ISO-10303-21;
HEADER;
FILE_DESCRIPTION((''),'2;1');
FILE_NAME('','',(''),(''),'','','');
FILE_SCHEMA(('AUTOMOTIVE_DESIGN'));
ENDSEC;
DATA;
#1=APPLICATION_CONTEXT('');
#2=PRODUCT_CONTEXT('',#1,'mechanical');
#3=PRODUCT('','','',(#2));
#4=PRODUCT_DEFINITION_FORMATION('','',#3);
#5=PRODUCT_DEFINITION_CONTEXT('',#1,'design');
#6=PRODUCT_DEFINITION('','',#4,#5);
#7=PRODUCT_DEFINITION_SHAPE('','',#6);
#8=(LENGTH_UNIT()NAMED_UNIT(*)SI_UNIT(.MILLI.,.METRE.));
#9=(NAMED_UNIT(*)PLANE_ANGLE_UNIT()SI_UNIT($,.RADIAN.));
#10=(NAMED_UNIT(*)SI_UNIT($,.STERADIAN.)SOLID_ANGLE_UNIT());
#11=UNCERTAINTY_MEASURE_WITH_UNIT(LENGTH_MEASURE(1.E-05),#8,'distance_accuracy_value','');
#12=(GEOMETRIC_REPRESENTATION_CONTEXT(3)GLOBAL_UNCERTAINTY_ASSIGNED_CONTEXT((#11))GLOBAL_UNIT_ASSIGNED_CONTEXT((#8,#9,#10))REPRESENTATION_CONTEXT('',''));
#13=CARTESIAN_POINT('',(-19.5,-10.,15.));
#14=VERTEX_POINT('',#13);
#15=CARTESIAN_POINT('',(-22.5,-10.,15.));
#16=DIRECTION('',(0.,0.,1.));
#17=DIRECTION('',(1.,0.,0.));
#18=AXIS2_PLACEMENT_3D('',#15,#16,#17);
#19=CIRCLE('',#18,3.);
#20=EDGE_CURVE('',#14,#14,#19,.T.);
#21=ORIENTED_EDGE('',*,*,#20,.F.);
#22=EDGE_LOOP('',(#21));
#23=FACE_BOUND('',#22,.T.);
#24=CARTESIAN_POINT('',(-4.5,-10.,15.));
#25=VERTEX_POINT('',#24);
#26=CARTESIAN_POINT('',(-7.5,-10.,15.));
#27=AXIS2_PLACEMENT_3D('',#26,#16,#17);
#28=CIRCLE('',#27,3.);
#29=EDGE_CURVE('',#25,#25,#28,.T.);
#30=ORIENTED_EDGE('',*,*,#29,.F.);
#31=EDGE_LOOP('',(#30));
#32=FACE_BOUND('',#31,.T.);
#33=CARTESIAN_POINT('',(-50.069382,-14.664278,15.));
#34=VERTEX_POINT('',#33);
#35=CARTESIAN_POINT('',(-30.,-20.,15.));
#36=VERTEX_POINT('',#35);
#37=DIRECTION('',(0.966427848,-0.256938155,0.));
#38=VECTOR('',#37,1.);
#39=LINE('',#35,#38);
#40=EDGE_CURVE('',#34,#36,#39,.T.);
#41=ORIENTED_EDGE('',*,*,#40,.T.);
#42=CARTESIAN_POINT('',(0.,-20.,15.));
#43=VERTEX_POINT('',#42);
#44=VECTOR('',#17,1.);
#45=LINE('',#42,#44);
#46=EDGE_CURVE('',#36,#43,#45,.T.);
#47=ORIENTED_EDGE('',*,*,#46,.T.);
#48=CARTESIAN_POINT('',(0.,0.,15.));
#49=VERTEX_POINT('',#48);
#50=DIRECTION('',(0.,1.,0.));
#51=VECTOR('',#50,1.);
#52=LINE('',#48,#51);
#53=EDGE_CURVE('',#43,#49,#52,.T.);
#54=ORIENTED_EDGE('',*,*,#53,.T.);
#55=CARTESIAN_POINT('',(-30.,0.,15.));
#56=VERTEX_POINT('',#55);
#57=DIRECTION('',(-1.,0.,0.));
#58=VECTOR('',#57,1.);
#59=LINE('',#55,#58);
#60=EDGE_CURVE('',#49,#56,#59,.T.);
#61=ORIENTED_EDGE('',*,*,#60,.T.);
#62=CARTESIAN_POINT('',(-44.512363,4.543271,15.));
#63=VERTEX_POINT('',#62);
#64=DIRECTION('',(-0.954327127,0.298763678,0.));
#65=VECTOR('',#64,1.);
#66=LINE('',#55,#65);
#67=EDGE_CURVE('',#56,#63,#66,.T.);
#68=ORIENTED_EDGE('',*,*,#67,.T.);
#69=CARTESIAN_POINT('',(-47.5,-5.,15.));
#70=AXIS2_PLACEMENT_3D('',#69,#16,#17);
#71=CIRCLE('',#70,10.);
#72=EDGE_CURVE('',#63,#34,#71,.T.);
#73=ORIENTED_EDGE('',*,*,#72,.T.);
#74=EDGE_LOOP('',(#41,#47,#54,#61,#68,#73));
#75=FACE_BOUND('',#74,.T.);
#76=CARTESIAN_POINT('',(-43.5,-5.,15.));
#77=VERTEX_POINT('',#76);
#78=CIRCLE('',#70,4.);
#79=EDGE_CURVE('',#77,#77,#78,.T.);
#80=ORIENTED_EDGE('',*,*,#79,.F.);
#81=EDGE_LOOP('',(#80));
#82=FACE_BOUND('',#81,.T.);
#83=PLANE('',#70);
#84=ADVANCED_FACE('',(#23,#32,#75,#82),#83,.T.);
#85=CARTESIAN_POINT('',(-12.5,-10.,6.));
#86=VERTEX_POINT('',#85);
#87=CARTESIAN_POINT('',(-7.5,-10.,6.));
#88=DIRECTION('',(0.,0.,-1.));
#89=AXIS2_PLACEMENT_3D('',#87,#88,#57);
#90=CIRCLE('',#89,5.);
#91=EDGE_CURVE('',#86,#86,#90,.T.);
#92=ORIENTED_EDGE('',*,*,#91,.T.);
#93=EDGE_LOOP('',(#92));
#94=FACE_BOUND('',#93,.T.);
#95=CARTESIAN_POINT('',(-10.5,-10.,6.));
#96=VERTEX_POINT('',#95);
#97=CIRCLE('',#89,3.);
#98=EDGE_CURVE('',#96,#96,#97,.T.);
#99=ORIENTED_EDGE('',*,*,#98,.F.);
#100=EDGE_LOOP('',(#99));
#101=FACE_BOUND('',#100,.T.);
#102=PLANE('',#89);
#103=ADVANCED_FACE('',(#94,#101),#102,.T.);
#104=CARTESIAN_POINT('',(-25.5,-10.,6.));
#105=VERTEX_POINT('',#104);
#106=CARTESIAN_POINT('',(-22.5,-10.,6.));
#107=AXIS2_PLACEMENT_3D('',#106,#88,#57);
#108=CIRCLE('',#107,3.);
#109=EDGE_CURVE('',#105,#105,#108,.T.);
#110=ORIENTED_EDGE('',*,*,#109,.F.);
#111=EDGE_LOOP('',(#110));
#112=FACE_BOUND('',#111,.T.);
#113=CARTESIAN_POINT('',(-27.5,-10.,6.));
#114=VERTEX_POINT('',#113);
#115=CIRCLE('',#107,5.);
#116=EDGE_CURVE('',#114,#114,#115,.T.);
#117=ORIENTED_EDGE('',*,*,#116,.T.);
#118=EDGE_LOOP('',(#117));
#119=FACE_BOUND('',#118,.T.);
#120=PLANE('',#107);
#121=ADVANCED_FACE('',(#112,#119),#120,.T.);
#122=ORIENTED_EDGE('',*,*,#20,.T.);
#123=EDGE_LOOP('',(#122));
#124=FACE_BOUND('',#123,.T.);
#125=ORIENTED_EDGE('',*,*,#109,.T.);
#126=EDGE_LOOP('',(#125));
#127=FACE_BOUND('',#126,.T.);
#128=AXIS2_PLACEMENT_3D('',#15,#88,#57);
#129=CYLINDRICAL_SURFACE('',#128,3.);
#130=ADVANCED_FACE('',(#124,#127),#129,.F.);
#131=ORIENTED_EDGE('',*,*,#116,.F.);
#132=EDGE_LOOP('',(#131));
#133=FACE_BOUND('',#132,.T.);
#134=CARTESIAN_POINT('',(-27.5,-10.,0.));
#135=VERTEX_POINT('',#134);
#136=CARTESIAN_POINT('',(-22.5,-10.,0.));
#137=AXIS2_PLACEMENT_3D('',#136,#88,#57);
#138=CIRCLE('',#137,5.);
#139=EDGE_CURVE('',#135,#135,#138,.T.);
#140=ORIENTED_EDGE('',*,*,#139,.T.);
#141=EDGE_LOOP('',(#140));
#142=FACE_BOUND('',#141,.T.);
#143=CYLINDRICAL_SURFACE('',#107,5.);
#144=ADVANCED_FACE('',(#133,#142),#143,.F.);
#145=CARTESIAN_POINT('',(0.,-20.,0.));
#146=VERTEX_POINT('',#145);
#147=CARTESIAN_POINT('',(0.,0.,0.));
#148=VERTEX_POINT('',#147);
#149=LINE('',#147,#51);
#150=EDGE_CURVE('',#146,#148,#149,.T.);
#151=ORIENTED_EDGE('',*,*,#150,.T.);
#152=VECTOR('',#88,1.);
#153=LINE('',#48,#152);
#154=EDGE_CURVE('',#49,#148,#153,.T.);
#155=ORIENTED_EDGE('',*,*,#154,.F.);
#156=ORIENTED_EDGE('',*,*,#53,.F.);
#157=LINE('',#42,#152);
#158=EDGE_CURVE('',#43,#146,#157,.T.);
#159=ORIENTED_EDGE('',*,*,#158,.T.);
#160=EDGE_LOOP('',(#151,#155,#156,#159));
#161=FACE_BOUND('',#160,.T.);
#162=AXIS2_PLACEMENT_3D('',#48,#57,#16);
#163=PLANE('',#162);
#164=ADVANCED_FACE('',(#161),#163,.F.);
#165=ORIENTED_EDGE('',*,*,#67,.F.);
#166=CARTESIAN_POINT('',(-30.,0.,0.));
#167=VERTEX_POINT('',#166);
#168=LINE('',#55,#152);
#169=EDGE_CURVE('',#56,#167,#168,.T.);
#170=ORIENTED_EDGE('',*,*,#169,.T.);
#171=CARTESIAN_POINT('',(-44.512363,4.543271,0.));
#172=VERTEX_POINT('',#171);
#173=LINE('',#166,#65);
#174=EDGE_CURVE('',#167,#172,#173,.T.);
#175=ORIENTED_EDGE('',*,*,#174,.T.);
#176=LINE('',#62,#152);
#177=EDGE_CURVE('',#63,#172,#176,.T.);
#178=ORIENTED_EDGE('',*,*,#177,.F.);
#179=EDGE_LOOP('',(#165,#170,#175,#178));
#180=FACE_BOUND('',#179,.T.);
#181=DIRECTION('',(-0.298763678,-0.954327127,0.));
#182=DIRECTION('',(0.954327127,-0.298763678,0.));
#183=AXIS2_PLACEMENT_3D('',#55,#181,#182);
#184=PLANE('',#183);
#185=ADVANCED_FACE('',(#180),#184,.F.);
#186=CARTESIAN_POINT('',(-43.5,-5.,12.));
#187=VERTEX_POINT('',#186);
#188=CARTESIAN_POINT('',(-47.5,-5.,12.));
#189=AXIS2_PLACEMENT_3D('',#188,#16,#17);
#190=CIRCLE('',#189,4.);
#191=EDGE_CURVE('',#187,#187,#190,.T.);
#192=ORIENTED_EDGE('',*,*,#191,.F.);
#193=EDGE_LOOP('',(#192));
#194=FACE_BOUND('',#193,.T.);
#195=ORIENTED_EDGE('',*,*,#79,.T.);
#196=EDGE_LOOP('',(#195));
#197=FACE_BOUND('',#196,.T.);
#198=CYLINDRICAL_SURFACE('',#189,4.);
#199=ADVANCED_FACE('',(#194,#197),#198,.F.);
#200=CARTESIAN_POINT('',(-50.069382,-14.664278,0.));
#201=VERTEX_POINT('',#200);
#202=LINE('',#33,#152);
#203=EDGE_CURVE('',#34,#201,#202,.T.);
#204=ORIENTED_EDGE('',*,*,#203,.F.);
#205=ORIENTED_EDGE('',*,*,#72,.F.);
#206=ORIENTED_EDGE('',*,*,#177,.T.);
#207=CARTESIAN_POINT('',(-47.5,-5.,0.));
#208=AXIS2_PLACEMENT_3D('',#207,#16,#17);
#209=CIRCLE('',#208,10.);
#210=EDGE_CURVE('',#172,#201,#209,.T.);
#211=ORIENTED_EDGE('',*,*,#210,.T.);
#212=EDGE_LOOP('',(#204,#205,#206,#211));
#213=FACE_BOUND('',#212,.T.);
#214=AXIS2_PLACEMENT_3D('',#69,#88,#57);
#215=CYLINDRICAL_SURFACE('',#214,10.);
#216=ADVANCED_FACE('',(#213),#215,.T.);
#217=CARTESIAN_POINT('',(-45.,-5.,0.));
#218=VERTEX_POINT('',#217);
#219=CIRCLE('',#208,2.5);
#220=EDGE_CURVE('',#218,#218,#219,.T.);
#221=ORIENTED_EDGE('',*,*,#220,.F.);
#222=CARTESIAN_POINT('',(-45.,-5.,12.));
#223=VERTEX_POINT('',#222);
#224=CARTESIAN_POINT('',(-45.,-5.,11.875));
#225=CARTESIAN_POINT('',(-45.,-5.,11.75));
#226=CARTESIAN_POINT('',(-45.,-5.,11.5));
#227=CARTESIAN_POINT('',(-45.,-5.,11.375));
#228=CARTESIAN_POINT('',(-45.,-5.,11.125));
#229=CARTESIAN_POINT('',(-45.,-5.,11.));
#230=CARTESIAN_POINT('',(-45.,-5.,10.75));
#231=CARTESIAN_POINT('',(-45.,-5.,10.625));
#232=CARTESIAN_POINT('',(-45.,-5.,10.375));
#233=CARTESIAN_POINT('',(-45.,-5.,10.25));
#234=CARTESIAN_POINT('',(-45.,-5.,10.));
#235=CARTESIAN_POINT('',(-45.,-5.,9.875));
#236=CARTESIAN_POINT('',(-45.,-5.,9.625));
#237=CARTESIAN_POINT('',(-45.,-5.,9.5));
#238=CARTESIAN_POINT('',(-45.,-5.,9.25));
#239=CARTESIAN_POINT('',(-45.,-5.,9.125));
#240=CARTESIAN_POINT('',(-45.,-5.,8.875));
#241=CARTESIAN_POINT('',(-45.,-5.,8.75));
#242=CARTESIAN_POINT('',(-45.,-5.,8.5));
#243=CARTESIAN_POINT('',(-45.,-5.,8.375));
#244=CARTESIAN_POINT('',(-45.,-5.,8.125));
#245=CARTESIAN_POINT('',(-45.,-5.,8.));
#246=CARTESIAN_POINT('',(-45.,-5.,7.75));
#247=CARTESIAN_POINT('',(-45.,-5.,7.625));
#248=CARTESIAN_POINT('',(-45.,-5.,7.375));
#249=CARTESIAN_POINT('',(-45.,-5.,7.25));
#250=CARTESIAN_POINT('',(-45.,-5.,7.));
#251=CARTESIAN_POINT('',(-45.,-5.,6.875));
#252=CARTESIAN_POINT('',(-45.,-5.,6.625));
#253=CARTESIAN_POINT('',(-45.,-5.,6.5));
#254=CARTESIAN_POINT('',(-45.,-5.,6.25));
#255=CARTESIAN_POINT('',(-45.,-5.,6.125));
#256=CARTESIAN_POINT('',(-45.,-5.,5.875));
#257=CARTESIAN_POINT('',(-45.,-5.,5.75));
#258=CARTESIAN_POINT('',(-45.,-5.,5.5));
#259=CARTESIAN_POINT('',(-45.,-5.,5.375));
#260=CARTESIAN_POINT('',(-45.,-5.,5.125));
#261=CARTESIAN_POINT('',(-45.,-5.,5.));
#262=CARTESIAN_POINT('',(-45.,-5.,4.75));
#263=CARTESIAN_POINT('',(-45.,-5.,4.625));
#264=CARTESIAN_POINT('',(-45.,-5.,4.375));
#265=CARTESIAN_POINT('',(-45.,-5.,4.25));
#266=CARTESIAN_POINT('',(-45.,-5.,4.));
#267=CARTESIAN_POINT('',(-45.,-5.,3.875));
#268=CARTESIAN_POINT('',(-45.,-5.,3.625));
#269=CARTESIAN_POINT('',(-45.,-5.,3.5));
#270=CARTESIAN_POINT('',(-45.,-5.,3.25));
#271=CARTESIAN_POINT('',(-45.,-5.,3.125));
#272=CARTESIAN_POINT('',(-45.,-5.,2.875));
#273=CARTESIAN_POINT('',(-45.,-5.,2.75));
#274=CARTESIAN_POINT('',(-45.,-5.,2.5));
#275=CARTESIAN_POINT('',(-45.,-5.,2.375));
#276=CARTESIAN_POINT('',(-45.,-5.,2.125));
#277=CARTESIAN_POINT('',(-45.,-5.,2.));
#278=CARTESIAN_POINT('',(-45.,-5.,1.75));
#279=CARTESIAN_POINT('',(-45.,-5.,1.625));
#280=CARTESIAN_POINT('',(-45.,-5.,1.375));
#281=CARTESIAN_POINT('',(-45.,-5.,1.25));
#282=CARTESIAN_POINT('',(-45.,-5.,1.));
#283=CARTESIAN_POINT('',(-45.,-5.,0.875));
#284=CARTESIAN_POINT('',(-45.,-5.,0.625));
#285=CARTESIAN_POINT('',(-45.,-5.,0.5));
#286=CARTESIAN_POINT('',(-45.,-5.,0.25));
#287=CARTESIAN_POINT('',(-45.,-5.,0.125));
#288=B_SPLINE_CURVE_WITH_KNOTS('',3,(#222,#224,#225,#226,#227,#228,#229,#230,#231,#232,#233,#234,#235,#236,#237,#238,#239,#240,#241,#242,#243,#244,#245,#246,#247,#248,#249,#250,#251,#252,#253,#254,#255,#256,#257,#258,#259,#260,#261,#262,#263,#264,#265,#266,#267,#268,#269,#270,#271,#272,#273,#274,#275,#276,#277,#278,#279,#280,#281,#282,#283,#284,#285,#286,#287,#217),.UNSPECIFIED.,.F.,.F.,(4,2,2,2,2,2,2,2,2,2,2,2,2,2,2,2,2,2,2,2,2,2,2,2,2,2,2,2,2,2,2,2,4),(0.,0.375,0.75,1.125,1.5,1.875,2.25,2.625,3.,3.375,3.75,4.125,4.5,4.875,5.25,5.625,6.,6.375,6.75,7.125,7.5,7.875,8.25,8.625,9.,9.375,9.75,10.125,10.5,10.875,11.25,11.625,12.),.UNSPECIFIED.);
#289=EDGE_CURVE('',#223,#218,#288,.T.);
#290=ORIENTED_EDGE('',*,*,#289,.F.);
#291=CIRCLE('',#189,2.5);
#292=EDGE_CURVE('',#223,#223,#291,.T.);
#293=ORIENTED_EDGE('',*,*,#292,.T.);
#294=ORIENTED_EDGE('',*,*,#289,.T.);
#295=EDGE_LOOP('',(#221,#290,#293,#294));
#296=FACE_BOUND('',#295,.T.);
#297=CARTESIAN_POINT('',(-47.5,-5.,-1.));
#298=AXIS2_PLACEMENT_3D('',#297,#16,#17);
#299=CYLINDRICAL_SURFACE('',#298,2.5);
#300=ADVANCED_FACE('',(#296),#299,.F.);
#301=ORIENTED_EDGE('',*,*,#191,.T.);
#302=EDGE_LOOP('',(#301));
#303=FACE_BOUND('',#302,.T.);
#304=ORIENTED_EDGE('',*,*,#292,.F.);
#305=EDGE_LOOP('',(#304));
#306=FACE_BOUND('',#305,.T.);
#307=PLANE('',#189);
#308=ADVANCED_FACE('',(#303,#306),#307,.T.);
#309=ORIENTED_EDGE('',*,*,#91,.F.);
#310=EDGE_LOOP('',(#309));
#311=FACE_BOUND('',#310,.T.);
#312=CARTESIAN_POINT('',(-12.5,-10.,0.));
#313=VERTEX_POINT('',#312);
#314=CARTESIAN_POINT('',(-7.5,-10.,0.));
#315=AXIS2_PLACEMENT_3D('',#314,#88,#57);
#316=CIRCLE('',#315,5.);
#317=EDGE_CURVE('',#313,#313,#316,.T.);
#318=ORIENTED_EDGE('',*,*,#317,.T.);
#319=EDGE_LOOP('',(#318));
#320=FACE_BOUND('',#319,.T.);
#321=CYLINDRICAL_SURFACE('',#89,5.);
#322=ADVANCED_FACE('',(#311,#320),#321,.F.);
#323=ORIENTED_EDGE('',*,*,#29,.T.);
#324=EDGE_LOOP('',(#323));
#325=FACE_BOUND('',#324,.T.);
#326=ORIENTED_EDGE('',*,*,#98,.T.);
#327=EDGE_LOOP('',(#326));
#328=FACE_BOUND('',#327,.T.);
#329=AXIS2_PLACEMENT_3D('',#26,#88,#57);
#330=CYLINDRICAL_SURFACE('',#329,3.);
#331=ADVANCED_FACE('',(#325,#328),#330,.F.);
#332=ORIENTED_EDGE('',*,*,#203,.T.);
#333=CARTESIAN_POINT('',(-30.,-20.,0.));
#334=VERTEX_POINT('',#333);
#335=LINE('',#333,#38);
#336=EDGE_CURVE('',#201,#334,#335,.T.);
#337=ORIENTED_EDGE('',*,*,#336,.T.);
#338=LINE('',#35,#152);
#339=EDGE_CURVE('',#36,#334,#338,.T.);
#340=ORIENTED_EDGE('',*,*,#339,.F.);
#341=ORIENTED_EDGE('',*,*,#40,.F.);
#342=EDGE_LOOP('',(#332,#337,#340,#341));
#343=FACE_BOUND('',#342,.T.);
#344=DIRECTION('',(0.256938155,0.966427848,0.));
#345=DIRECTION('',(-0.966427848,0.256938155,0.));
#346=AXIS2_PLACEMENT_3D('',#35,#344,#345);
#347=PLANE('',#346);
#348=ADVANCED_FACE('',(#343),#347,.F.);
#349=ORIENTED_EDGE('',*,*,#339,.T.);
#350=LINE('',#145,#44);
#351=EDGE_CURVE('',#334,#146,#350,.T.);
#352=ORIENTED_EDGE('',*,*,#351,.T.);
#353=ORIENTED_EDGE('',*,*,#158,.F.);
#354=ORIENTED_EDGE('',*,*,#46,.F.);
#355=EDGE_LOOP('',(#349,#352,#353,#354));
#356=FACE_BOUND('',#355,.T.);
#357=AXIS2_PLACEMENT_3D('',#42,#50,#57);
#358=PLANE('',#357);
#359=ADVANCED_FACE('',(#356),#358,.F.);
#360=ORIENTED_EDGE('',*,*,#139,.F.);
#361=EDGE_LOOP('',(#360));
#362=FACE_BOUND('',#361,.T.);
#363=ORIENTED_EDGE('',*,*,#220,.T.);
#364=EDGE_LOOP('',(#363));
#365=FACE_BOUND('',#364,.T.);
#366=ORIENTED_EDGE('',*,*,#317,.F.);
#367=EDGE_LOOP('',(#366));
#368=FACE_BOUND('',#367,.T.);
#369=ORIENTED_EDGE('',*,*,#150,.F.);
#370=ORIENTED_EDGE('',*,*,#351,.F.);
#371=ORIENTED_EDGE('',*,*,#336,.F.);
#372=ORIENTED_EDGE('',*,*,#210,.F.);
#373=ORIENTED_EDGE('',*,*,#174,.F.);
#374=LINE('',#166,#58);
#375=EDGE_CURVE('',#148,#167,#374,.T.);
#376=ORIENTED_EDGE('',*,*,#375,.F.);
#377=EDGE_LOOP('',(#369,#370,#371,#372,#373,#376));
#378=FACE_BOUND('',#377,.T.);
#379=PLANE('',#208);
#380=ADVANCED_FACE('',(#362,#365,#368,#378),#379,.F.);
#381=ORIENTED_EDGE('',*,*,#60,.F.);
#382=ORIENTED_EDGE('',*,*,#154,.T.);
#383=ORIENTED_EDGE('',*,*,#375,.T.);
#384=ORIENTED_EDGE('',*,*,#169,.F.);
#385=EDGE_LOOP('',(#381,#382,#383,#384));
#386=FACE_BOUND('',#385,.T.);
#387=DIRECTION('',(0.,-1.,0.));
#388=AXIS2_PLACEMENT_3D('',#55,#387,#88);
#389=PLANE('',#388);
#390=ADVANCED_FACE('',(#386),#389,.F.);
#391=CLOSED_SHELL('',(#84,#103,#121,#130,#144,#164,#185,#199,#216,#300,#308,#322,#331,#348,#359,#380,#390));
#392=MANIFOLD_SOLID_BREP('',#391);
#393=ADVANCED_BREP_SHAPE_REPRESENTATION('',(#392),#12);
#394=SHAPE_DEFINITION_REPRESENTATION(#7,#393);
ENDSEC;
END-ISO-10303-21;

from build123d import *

# Parameters (mm, degrees)
SKETCH_1_R          = 3
EXTRUDE_1_DEPTH     = 15
SKETCH_4_R          = 5
CUT_EXTRUDE_3_DEPTH = 6
SKETCH_8_R          = 4
CUT_EXTRUDE_4_DEPTH = 3
SKETCH_10_R         = 2.5
CUT_EXTRUDE_5_DEPTH = 13


with BuildPart() as part:
    # 草图1 → 凸台-拉伸1 (new body)
    with BuildSketch(Plane.XY):
        with BuildLine():
            Line((-30, 0), (0, 0))
            Line((0, 0), (0, -20))
            Line((0, -20), (-30, -20))
            Line((-30, -20), (-50.06938155, -14.664278475))
            ThreePointArc((-50.06938155, -14.664278475), (-57.106051537, -2.220832162), (-44.512363219, 4.543271266))
            Line((-44.512363219, 4.543271266), (-30, 0))
        make_face()
        with Locations((-22.5, -10)):
            Circle(SKETCH_1_R, mode=Mode.SUBTRACT)
        with Locations((-7.5, -10)):
            Circle(SKETCH_1_R, mode=Mode.SUBTRACT)
    extrude(amount=EXTRUDE_1_DEPTH)

    # 草图4 → 切除-拉伸3 (cut)
    with BuildSketch(Plane(origin=(0, 0, 0), x_dir=(-1, 0, 0), z_dir=(0, 0, -1))):
        with Locations((7.5, -10)):
            Circle(SKETCH_4_R)
        with Locations((22.5, -10)):
            Circle(SKETCH_4_R)
    extrude(amount=-CUT_EXTRUDE_3_DEPTH, mode=Mode.SUBTRACT)

    # 草图8 → 切除-拉伸4 (cut)
    with BuildSketch(Plane.XY.offset(15)):
        with Locations((-47.5, -5)):
            Circle(SKETCH_8_R)
    extrude(amount=-CUT_EXTRUDE_4_DEPTH, mode=Mode.SUBTRACT)

    # 草图10 → 切除-拉伸5 (cut)
    with BuildSketch(Plane.XY.offset(12)):
        with Locations((-47.5, -5)):
            Circle(SKETCH_10_R)
    extrude(amount=-CUT_EXTRUDE_5_DEPTH, mode=Mode.SUBTRACT)


solid = part.part
